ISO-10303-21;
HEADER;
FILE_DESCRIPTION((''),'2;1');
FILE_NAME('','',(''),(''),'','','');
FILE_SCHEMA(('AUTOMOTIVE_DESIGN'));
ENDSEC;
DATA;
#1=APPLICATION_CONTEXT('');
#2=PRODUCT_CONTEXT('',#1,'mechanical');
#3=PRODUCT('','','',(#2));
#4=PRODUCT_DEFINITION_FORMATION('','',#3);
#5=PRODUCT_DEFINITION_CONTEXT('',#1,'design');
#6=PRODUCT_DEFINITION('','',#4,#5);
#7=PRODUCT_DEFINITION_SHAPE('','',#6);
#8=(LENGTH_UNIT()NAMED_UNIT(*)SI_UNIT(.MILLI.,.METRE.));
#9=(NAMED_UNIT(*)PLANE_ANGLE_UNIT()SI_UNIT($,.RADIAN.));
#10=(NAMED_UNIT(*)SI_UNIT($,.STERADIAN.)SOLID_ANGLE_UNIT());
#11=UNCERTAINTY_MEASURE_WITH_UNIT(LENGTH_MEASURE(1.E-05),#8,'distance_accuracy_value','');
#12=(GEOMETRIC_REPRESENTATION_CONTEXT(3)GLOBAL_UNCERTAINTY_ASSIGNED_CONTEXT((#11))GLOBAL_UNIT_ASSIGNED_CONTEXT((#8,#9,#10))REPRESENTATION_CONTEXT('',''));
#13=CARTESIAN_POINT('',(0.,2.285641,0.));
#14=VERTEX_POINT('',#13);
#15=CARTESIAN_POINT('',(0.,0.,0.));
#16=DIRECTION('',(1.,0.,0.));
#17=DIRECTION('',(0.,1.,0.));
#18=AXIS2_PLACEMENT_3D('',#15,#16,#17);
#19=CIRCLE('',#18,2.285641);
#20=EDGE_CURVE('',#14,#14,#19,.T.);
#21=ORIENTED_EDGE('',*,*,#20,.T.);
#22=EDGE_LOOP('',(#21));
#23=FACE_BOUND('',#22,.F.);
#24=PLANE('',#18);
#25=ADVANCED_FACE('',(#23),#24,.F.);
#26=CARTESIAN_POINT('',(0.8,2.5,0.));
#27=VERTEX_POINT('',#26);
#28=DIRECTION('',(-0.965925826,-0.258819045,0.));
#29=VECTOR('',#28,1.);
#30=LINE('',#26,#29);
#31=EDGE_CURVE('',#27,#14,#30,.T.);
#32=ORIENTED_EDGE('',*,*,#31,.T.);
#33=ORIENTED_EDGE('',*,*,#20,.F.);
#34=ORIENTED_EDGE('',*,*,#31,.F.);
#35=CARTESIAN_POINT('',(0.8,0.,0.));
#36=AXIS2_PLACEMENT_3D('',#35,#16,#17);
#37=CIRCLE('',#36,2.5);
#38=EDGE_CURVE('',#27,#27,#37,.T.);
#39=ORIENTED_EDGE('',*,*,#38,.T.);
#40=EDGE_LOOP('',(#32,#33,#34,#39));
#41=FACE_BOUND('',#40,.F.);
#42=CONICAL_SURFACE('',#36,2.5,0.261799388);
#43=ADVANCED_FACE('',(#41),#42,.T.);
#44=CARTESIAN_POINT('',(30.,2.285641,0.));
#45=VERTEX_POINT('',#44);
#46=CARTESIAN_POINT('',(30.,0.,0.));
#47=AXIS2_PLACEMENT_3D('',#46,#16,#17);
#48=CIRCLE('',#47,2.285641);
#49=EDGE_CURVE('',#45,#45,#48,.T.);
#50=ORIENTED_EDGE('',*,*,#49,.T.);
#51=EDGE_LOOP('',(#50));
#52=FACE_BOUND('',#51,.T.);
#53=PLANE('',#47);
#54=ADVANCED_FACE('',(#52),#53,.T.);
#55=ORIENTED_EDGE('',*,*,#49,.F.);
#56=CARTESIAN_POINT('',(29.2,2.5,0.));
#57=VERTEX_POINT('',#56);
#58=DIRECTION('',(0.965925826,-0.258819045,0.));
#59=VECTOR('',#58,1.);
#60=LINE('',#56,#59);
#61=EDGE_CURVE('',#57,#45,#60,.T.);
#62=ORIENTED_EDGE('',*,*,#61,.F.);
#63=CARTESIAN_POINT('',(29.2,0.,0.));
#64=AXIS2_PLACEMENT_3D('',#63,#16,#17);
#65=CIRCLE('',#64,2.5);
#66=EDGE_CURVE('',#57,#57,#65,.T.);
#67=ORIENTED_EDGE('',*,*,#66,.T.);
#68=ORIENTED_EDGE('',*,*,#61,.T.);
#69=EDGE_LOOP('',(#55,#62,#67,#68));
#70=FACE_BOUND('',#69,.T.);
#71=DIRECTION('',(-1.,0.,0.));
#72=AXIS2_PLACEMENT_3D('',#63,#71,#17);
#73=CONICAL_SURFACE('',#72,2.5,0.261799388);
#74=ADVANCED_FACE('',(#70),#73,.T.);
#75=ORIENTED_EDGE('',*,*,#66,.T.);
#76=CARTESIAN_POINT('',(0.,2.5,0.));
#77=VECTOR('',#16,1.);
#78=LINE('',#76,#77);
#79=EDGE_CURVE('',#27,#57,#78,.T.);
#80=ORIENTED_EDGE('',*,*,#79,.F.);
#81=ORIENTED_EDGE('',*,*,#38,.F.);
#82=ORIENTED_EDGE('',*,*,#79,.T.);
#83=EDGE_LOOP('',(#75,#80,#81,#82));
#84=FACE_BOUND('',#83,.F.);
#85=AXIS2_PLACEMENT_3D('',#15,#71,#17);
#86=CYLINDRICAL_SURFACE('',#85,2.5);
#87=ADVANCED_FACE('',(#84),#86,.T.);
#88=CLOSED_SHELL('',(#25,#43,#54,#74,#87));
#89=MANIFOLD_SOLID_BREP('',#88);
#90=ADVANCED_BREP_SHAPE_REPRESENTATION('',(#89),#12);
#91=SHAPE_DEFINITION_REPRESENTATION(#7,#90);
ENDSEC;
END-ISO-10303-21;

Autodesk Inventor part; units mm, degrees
ref_plane "YZ Plane" through (0, 0, 0) normal (1, 0, 0) x (0, 1, 0)
ref_plane "XZ Plane" through (0, 0, 0) normal (0, 1, 0) x (-1, 0, 0)
ref_plane "XY Plane" through (0, 0, 0) normal (0, 0, 1) x (1, 0, 0)
sketch "Sketch" plane through (0, 0, 0) normal (1, 0, 0) x (0, 1, 0)
  circle A0 centre (0, 0) radius 2.5
  dimension "d1" = 5
extrude "Body" add sketch "Sketch" along normal blind 30
chamfer "Chamfer1" distance 0.8 angle 15 1 edges at (0, -2.5, 0) measured on face at (20, 2.4919, -0.2012)
chamfer "Sketch2" distance 0.8 angle 15 1 edges at (30, -2.5, 0) measured on face at (20.2667, 2.4919, -0.2012)
equation "\"d1\" = NND"
equation "\"d2\" = NLG"
equation "\"d8\" = PHH"
equation "\"d9\" = FAWI"
equation "\"d12\" = PHH"
equation "\"d4\" = PHH"
equation "\"d5\" = FAWI"
equation "\"d11\" = PHH"
equation "\"NND\" = 5"
equation "\"NLG\" = 30"
equation "\"PHH\" = 0.8"
equation "\"FAWI\" = 15deg"
equation "\"PHH2\" = PHH"
equation "\"FAWI2\" = 15deg"
properties part number "ISO 8734 - 5 x 30 - A" material "Steel"
